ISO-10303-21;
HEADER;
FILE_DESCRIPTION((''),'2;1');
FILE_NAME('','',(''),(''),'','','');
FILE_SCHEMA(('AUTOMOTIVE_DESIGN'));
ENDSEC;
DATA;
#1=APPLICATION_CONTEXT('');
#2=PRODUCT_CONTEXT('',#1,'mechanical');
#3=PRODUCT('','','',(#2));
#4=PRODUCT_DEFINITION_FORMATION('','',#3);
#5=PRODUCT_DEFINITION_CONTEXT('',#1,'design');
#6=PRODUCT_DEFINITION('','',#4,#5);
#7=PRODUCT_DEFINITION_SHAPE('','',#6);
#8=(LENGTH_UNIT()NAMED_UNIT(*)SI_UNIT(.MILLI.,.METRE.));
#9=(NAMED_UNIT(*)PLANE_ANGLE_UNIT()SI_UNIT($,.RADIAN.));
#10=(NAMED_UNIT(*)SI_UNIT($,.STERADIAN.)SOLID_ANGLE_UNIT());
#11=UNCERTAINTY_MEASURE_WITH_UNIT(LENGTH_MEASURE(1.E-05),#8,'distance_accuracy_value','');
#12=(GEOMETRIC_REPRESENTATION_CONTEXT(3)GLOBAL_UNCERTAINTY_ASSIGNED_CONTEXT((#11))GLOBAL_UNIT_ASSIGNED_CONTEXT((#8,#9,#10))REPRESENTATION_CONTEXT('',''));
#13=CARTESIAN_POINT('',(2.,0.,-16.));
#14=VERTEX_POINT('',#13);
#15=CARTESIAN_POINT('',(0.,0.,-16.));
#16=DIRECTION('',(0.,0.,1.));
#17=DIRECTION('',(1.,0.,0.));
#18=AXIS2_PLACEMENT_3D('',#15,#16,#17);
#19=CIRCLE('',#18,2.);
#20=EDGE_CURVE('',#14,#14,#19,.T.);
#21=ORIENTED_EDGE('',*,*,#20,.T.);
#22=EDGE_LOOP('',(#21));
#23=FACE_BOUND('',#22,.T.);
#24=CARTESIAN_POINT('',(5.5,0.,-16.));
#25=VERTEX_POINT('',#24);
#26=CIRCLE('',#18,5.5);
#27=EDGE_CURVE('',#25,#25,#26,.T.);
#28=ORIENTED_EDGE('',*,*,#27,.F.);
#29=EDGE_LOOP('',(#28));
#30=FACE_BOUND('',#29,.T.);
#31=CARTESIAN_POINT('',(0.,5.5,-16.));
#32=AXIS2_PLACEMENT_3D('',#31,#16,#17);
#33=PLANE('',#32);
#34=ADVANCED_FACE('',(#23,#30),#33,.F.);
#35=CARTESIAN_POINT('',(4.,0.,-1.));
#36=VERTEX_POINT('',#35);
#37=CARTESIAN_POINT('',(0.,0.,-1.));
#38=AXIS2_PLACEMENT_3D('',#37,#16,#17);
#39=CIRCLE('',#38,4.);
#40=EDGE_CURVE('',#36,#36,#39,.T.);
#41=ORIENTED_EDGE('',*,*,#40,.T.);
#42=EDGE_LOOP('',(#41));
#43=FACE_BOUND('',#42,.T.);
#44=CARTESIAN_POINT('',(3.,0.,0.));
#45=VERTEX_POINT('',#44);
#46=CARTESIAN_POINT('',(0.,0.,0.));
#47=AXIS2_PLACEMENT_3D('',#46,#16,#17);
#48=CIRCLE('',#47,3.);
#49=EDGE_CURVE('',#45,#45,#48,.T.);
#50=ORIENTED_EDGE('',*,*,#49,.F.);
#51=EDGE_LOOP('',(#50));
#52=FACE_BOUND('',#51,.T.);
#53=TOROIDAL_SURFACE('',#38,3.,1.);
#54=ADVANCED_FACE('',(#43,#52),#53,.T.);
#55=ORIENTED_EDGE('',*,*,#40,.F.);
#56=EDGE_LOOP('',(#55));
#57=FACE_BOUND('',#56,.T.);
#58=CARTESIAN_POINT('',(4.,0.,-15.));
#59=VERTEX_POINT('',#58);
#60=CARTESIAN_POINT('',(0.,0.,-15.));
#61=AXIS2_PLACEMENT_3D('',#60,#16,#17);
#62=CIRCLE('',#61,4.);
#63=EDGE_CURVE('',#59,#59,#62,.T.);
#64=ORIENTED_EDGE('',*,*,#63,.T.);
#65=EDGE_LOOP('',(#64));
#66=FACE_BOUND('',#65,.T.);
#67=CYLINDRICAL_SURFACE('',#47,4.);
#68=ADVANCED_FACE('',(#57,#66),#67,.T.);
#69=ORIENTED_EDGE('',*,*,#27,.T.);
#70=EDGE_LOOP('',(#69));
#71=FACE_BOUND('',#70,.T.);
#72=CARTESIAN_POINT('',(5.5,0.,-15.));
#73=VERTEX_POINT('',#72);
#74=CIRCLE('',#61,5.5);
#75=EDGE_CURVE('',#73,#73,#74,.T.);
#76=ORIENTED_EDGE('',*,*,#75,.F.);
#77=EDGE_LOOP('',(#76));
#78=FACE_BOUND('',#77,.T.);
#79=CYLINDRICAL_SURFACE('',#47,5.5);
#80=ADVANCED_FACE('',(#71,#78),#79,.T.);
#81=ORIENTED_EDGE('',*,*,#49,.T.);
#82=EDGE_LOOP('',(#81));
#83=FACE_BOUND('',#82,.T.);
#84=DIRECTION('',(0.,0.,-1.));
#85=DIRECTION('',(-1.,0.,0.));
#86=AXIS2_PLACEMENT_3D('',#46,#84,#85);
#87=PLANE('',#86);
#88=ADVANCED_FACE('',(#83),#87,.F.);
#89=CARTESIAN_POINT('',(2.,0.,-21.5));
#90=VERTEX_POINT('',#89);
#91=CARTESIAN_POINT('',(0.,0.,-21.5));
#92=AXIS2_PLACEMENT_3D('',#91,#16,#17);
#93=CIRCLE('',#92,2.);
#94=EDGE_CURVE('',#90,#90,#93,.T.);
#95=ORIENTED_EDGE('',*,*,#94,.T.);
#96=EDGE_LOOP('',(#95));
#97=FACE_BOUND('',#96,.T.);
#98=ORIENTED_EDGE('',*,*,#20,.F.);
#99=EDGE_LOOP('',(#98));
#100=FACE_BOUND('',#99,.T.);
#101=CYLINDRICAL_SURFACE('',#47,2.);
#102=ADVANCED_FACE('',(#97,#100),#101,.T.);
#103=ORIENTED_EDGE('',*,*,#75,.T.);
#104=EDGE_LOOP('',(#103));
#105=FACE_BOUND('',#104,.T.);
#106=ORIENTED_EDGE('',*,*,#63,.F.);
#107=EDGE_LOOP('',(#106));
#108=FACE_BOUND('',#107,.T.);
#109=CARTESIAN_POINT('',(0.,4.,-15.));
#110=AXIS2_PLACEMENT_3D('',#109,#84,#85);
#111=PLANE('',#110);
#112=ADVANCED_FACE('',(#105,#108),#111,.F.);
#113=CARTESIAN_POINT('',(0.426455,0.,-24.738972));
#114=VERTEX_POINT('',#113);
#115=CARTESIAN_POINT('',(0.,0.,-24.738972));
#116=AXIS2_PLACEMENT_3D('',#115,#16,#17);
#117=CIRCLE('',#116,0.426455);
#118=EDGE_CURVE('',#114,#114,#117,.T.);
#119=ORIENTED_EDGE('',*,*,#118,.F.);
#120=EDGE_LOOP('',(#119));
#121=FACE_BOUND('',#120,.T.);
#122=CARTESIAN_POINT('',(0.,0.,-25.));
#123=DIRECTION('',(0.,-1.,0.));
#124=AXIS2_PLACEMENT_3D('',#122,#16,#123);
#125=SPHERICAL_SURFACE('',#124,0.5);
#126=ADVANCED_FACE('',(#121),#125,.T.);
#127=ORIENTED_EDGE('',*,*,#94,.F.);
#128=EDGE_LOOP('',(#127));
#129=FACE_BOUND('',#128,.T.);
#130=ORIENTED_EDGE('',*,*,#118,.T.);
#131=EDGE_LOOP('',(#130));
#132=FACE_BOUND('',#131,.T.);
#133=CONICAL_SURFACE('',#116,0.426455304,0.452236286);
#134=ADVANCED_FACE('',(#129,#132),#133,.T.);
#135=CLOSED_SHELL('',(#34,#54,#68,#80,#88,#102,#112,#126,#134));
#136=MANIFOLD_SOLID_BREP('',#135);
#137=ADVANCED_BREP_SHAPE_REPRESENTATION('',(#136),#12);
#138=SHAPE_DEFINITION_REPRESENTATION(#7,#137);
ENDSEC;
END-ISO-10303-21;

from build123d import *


with BuildPart() as part:
    # Sketch5 → Revolve1 (revolve)
    with BuildSketch(Plane(origin=(0, 0, 0), x_dir=(0, 0, -1), z_dir=(1, 0, 0))):
        with BuildLine():
            Line((0, 0), (0, 3))
            ThreePointArc((0, 3), (0.292893219, 3.707106781), (1, 4))
            Line((1, 4), (15, 4))
            Line((15, 4), (15, 5.5))
            Line((15, 5.5), (16, 5.5))
            Line((16, 5.5), (16, 2))
            Line((16, 2), (21.5, 2))
            Line((21.5, 2), (24.738971507, 0.426455304))
            ThreePointArc((24.738971507, 0.426455304), (25.24442356, 0.436184735), (25.5, 0))
            Line((25.5, 0), (0, 0))
        make_face()
    revolve(axis=Axis((0, 0, 0), (0, 0, -1)))


solid = part.part
